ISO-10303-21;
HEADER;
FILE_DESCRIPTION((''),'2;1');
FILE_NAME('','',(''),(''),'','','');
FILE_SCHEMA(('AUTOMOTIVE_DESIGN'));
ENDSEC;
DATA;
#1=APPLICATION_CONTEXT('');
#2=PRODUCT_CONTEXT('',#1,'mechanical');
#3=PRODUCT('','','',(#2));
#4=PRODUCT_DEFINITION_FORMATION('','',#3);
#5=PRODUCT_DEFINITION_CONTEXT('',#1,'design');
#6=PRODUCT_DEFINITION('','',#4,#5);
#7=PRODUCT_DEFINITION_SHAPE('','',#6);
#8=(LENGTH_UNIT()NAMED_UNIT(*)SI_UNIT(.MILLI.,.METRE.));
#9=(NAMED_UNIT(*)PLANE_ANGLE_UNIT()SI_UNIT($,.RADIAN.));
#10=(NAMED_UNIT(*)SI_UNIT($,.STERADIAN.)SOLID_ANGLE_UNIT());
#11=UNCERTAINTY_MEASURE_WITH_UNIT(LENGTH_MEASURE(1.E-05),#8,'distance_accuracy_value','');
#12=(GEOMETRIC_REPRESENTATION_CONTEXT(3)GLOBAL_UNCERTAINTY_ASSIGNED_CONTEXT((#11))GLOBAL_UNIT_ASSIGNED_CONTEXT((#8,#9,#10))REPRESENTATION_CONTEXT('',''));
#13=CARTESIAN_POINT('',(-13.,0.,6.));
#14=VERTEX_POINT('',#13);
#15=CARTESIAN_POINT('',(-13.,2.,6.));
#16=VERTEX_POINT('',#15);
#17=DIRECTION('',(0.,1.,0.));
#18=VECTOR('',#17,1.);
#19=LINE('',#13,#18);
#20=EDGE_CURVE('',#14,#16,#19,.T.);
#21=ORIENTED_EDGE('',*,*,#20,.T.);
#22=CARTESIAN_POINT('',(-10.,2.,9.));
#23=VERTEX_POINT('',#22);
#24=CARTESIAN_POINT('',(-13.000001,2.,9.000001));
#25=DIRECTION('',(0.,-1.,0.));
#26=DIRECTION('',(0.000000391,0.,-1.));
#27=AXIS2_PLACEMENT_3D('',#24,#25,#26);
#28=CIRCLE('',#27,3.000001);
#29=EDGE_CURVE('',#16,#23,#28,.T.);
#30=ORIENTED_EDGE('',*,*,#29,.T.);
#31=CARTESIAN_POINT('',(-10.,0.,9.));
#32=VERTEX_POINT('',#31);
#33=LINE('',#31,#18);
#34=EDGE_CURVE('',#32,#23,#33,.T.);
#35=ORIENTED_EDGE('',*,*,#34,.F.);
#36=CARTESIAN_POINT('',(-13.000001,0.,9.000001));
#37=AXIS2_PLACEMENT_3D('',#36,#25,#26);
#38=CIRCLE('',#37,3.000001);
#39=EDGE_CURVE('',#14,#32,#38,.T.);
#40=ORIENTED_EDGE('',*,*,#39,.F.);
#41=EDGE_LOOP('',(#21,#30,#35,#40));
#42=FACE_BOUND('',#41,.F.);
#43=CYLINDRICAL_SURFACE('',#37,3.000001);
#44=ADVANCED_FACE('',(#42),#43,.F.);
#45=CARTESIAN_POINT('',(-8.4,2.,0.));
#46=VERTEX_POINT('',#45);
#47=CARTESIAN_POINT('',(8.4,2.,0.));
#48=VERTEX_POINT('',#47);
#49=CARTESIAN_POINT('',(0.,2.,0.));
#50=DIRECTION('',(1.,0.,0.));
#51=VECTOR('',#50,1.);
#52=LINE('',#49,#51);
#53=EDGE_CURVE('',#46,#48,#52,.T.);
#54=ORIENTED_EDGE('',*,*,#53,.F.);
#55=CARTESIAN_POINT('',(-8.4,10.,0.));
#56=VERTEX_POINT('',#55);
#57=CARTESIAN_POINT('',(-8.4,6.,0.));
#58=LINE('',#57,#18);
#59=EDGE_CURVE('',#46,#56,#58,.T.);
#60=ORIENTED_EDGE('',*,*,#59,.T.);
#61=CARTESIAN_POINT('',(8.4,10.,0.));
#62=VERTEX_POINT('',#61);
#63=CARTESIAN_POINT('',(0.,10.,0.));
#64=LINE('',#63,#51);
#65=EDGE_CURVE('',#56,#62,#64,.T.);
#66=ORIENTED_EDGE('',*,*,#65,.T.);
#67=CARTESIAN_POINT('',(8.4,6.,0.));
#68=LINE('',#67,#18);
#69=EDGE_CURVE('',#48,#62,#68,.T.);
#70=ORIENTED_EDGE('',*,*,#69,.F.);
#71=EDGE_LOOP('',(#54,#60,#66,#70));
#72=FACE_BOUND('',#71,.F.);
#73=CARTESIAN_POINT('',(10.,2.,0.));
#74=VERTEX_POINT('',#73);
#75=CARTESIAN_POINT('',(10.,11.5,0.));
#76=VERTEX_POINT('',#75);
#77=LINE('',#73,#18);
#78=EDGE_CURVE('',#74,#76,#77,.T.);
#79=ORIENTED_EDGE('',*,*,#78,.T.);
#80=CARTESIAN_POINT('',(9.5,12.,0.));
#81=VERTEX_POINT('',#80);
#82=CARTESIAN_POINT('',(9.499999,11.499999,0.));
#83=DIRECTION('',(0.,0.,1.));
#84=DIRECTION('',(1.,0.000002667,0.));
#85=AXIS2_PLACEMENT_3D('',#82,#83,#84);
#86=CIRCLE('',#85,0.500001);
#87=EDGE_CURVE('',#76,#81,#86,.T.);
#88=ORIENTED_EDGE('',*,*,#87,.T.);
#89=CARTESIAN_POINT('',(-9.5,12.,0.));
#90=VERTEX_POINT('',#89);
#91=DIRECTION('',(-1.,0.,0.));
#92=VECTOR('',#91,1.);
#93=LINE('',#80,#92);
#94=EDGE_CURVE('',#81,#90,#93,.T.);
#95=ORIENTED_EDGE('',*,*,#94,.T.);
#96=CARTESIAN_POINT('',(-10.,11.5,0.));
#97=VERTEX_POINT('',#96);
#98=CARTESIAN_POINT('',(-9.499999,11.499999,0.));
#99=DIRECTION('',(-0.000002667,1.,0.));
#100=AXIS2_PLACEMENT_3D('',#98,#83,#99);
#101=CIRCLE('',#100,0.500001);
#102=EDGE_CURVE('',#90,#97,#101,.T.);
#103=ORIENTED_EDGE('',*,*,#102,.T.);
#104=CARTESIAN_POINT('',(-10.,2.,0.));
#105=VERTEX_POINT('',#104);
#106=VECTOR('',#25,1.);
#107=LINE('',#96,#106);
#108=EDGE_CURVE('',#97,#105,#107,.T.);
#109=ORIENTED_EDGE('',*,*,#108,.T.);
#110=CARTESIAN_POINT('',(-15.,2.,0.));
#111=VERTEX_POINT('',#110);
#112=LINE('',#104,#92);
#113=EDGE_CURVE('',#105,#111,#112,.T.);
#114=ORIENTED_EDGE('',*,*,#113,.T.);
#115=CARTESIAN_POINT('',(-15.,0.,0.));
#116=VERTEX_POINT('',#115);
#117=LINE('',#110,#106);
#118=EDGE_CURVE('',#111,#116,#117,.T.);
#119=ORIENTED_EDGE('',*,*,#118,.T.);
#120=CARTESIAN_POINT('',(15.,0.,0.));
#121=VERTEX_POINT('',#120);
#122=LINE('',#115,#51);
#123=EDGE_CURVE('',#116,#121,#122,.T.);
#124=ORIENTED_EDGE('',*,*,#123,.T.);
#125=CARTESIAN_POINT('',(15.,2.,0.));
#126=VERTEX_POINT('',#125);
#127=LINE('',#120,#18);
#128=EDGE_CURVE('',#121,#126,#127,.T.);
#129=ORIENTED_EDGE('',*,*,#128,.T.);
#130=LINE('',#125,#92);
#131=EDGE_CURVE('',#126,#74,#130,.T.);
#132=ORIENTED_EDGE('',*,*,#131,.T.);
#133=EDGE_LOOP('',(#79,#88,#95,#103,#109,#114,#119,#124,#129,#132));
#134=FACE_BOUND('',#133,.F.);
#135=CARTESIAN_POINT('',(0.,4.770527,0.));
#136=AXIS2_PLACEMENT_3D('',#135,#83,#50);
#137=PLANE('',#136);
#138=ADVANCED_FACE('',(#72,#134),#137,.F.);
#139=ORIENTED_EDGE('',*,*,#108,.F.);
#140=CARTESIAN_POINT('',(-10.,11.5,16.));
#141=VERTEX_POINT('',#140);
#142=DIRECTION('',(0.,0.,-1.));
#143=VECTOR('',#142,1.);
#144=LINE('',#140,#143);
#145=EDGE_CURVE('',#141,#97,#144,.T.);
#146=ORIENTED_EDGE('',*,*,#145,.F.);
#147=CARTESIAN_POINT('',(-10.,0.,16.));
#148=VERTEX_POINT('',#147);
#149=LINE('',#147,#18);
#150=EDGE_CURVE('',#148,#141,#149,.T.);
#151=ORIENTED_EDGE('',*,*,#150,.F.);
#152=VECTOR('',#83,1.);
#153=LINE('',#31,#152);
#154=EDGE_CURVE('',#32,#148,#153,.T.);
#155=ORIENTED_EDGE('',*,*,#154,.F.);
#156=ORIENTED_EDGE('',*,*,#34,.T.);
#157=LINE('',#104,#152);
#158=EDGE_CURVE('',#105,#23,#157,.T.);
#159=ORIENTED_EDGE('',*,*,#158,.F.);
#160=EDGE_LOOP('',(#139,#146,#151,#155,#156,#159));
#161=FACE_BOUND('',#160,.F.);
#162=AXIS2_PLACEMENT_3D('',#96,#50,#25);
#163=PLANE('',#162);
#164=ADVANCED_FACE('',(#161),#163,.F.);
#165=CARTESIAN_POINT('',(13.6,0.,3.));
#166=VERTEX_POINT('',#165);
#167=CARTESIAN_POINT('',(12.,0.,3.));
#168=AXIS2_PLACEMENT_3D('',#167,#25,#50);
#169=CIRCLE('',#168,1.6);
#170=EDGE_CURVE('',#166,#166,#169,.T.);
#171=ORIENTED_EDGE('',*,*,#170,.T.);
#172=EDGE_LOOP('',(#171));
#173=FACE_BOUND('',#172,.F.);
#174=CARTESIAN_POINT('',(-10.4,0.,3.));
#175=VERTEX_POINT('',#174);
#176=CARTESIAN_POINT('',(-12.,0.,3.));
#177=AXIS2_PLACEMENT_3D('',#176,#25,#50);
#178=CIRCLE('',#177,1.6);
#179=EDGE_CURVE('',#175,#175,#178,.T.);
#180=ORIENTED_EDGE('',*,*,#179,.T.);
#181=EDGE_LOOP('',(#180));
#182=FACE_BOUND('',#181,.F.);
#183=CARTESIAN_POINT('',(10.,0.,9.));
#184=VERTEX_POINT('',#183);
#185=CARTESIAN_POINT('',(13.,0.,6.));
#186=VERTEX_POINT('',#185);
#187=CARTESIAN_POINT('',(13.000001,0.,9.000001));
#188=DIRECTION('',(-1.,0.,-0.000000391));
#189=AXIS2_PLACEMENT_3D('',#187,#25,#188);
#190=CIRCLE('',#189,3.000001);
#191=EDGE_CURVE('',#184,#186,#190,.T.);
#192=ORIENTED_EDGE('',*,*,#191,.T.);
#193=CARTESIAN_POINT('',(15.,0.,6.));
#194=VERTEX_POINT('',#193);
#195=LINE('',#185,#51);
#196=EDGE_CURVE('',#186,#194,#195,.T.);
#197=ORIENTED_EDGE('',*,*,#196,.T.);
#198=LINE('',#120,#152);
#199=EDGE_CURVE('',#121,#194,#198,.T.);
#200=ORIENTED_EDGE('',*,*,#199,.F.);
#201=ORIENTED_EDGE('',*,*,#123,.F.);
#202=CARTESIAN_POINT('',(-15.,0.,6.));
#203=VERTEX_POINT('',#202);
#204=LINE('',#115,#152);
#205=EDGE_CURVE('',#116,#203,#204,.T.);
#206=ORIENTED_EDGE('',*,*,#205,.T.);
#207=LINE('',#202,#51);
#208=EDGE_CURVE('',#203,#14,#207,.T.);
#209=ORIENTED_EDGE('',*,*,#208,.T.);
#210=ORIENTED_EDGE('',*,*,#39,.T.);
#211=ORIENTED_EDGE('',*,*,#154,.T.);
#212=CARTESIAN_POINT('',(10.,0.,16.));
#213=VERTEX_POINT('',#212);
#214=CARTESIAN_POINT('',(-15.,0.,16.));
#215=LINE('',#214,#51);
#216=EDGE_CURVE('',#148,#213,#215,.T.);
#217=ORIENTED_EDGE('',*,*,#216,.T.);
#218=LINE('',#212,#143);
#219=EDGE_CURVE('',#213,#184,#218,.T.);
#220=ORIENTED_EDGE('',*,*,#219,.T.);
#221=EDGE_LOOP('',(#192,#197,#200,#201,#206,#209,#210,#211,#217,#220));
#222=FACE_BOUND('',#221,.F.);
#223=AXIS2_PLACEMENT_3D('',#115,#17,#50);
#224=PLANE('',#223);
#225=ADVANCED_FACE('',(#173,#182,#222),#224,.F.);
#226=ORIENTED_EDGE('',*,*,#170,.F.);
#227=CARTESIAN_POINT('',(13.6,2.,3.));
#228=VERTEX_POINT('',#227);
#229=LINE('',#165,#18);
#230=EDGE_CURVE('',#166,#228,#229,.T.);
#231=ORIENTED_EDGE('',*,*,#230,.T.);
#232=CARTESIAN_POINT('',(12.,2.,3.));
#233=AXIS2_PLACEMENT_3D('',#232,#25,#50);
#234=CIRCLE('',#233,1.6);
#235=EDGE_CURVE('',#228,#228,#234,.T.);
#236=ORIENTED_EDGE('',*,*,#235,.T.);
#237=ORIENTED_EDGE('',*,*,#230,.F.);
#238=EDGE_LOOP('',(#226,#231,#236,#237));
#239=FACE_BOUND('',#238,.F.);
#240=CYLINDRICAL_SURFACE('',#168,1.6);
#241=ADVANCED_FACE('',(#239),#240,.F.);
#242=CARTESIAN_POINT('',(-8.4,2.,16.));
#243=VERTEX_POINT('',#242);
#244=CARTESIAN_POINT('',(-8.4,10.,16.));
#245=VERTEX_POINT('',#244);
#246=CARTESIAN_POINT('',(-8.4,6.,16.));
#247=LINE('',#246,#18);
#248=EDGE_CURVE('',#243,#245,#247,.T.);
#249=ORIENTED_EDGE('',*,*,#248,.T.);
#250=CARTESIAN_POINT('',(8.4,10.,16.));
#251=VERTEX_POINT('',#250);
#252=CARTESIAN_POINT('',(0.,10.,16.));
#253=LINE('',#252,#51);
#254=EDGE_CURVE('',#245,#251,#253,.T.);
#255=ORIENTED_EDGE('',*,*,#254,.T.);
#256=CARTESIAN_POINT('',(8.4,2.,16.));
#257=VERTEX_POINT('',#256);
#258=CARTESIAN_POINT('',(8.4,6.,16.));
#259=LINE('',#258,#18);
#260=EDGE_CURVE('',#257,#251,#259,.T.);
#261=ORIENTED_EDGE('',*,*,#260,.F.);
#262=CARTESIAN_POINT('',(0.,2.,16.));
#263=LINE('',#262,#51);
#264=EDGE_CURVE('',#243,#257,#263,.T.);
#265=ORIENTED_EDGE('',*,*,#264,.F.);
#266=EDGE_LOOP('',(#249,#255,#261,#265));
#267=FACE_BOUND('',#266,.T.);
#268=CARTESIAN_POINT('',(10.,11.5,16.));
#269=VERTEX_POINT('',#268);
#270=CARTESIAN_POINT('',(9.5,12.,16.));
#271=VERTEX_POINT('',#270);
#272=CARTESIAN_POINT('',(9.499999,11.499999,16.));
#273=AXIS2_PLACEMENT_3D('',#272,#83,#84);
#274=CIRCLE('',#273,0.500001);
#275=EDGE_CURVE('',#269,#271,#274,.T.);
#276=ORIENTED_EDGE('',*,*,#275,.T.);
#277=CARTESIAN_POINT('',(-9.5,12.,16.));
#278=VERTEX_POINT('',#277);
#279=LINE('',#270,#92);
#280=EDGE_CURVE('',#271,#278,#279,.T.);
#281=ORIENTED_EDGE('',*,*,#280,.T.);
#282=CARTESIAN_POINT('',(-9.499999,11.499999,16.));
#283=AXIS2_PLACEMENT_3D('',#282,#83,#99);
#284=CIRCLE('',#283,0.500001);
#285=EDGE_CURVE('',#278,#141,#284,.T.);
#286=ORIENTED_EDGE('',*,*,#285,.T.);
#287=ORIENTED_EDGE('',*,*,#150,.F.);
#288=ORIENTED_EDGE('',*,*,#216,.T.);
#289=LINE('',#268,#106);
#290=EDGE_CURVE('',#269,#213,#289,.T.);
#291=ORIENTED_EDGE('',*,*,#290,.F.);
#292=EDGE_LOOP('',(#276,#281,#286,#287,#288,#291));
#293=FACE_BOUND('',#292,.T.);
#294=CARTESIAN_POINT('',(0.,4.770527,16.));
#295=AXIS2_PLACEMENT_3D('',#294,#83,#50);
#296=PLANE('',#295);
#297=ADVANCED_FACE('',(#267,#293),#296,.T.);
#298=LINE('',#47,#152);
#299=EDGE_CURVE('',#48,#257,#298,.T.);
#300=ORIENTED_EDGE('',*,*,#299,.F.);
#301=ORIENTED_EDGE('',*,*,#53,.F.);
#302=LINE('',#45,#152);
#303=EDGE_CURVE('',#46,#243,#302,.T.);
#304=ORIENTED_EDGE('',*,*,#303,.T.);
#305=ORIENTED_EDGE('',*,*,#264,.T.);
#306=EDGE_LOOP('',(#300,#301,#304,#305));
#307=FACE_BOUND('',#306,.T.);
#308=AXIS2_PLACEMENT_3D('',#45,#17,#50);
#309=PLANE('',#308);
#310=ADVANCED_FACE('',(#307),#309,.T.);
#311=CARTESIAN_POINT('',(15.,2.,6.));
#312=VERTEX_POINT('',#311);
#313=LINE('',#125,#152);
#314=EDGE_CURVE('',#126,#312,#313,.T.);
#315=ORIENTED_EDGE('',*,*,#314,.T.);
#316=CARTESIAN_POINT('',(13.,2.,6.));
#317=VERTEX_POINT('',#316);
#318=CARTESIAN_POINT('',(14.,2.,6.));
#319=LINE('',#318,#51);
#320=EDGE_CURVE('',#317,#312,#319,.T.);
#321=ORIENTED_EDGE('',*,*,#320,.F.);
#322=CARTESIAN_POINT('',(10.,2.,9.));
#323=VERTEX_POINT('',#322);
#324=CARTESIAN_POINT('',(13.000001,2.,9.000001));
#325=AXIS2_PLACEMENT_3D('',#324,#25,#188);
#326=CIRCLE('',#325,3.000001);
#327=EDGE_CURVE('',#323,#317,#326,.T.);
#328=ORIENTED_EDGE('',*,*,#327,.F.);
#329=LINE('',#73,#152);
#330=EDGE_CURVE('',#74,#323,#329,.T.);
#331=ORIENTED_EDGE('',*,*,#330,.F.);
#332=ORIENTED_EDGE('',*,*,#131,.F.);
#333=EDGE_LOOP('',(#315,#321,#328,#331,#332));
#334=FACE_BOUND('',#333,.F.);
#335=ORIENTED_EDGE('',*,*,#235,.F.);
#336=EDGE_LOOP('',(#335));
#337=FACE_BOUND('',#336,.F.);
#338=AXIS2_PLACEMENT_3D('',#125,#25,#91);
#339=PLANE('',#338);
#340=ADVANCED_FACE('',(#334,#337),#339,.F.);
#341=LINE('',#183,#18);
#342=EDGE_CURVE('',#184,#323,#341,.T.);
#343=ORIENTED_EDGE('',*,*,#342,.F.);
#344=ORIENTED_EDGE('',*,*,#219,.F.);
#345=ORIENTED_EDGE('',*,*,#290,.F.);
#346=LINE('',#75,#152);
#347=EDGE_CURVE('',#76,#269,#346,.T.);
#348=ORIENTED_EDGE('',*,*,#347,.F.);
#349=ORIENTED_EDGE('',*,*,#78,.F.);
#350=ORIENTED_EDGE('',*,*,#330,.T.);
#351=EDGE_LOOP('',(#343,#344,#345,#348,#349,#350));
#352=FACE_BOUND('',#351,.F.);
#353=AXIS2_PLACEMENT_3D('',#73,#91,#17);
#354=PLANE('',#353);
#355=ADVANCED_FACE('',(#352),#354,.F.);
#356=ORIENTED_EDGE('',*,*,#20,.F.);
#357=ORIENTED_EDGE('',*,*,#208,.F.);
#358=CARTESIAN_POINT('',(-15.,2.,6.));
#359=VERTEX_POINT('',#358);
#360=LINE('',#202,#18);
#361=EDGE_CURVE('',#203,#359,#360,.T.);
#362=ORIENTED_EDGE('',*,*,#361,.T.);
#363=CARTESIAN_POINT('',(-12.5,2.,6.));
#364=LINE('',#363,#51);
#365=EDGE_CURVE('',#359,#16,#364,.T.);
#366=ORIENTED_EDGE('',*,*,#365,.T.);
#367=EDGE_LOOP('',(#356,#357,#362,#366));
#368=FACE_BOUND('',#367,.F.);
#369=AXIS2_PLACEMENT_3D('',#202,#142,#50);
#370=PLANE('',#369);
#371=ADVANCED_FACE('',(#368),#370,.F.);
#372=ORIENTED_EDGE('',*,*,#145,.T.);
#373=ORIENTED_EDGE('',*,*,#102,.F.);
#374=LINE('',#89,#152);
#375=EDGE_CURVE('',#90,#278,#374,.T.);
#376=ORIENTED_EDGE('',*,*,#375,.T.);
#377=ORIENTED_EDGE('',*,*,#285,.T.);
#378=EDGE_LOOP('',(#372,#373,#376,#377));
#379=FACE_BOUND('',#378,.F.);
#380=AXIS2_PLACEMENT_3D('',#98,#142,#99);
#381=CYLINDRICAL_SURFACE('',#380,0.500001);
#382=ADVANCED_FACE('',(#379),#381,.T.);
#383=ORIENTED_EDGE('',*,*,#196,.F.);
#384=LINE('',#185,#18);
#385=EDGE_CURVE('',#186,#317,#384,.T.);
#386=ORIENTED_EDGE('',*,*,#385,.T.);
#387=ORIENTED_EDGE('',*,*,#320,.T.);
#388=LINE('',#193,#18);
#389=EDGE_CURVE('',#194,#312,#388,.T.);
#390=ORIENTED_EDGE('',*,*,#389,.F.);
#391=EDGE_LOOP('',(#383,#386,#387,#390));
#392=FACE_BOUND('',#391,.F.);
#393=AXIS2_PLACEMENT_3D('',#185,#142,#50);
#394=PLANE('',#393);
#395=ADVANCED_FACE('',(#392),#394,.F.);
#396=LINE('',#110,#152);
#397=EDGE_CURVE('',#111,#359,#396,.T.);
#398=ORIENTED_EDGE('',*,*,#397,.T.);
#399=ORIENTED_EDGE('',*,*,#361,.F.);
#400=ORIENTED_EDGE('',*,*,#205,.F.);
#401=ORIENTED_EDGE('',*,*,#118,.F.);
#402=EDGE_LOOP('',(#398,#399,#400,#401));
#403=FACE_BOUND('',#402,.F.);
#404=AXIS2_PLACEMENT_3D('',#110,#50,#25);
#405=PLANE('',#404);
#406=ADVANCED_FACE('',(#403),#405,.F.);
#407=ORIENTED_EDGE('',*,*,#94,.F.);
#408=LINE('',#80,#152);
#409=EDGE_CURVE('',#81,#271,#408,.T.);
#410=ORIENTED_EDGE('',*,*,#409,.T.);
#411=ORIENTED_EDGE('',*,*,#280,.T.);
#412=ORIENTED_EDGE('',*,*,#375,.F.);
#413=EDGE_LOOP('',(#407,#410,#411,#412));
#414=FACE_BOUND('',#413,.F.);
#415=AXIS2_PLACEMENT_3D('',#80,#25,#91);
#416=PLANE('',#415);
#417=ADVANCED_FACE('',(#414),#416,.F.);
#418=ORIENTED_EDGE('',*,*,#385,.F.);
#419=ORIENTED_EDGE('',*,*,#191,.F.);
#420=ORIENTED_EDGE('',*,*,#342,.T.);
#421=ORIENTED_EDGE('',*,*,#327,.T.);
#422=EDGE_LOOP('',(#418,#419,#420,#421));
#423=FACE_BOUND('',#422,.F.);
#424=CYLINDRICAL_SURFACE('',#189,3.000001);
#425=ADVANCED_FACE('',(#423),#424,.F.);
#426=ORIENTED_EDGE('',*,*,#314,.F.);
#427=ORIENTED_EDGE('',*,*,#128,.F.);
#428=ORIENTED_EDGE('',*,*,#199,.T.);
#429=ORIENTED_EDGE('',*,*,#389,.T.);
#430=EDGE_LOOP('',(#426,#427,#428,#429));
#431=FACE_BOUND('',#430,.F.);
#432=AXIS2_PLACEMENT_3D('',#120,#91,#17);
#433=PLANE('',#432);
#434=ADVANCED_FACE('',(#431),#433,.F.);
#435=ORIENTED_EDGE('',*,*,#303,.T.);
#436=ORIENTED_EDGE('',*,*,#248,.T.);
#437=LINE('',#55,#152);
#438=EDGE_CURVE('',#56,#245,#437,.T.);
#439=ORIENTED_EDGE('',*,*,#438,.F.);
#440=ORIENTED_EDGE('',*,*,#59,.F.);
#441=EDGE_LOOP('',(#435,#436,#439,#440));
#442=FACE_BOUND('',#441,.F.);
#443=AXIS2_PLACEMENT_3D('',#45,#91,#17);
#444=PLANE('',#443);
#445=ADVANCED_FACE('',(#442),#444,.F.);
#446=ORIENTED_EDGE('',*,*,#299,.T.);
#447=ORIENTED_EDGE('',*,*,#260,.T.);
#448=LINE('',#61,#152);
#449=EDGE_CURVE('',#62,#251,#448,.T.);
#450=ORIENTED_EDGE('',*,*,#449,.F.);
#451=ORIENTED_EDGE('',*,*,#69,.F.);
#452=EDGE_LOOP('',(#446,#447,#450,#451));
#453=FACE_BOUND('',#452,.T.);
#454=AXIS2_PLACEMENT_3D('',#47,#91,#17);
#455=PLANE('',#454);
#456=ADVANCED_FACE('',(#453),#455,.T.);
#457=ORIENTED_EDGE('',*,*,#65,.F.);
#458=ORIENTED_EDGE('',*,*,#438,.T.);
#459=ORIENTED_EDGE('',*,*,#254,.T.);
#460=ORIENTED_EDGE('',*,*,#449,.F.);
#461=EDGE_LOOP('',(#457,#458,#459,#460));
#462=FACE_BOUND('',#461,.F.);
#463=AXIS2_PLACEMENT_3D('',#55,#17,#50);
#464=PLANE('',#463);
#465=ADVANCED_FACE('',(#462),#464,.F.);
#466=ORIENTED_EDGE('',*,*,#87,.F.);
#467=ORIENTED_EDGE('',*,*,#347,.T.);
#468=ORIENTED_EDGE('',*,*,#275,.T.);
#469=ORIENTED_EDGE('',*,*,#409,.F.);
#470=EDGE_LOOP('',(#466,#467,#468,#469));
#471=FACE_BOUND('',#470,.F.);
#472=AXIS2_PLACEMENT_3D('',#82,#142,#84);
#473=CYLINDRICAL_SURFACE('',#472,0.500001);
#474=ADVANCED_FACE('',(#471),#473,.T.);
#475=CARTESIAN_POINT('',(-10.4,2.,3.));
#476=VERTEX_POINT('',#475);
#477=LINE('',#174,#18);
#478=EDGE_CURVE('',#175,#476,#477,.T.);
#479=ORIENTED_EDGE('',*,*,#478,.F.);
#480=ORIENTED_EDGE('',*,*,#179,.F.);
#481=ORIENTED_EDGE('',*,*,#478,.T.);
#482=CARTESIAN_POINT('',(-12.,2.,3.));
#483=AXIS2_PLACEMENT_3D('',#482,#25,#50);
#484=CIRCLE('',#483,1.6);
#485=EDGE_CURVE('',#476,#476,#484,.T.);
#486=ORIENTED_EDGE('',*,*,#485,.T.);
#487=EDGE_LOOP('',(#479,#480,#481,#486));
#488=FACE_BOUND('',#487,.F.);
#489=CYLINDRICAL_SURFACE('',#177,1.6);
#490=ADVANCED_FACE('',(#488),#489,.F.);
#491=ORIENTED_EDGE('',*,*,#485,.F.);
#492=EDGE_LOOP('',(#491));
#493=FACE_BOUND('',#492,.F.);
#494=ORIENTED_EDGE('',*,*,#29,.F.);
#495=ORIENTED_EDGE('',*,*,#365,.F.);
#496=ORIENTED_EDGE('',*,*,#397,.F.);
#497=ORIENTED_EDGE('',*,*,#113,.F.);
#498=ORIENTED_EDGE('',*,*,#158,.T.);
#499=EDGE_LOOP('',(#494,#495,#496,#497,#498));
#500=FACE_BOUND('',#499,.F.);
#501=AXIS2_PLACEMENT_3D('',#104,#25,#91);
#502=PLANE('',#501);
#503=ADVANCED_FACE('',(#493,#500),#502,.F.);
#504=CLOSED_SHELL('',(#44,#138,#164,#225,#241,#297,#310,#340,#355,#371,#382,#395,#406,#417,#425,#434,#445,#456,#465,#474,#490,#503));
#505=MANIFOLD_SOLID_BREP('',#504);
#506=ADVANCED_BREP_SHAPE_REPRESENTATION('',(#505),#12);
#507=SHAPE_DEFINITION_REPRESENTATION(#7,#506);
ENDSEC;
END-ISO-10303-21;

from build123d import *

# Parameters (mm, degrees)
F0_W     = 16.8
F0_H     = 8
F1_DEPTH = 16
F2_R     = 1.6
F3_DEPTH = 25


with BuildPart() as f1:
    # F0 (on Top) → F1 (new body)
    with BuildSketch(Plane.XY):
        with BuildLine():
            Line((-15, 2), (-15, 0))
            Line((-15, 0), (15, 0))
            Line((15, 0), (15, 2))
            Line((15, 2), (10, 2))
            Line((10, 2), (10, 11.5))
            ThreePointArc((10, 11.5), (9.853553, 11.853553), (9.5, 12))
            Line((9.5, 12), (-9.5, 12))
            ThreePointArc((-9.5, 12), (-9.853553, 11.853553), (-10, 11.5))
            Line((-10, 11.5), (-10, 2))
            Line((-10, 2), (-15, 2))
        make_face()
        with Locations((0, 6)):
            Rectangle(F0_W, F0_H, mode=Mode.SUBTRACT)
    extrude(amount=F1_DEPTH)

    # F2 (on face) → F3 (cut)
    with BuildSketch(Plane.XZ):
        with Locations((-12, 3)):
            Circle(F2_R)
        with Locations((12, 3)):
            Circle(F2_R)
        with BuildLine():
            Line((-10, 16), (-15, 16))
            Line((-15, 16), (-15, 6))
            Line((-15, 6), (-13, 6))
            ThreePointArc((-13, 6), (-10.87868, 6.87868), (-10, 9))
            Line((-10, 9), (-10, 16))
        make_face()
        with BuildLine():
            Line((15, 6), (15, 16))
            Line((15, 16), (10, 16))
            Line((10, 16), (10, 9))
            ThreePointArc((10, 9), (10.87868, 6.87868), (13, 6))
            Line((13, 6), (15, 6))
        make_face()
    extrude(amount=-F3_DEPTH, mode=Mode.SUBTRACT)


solid = f1.part
